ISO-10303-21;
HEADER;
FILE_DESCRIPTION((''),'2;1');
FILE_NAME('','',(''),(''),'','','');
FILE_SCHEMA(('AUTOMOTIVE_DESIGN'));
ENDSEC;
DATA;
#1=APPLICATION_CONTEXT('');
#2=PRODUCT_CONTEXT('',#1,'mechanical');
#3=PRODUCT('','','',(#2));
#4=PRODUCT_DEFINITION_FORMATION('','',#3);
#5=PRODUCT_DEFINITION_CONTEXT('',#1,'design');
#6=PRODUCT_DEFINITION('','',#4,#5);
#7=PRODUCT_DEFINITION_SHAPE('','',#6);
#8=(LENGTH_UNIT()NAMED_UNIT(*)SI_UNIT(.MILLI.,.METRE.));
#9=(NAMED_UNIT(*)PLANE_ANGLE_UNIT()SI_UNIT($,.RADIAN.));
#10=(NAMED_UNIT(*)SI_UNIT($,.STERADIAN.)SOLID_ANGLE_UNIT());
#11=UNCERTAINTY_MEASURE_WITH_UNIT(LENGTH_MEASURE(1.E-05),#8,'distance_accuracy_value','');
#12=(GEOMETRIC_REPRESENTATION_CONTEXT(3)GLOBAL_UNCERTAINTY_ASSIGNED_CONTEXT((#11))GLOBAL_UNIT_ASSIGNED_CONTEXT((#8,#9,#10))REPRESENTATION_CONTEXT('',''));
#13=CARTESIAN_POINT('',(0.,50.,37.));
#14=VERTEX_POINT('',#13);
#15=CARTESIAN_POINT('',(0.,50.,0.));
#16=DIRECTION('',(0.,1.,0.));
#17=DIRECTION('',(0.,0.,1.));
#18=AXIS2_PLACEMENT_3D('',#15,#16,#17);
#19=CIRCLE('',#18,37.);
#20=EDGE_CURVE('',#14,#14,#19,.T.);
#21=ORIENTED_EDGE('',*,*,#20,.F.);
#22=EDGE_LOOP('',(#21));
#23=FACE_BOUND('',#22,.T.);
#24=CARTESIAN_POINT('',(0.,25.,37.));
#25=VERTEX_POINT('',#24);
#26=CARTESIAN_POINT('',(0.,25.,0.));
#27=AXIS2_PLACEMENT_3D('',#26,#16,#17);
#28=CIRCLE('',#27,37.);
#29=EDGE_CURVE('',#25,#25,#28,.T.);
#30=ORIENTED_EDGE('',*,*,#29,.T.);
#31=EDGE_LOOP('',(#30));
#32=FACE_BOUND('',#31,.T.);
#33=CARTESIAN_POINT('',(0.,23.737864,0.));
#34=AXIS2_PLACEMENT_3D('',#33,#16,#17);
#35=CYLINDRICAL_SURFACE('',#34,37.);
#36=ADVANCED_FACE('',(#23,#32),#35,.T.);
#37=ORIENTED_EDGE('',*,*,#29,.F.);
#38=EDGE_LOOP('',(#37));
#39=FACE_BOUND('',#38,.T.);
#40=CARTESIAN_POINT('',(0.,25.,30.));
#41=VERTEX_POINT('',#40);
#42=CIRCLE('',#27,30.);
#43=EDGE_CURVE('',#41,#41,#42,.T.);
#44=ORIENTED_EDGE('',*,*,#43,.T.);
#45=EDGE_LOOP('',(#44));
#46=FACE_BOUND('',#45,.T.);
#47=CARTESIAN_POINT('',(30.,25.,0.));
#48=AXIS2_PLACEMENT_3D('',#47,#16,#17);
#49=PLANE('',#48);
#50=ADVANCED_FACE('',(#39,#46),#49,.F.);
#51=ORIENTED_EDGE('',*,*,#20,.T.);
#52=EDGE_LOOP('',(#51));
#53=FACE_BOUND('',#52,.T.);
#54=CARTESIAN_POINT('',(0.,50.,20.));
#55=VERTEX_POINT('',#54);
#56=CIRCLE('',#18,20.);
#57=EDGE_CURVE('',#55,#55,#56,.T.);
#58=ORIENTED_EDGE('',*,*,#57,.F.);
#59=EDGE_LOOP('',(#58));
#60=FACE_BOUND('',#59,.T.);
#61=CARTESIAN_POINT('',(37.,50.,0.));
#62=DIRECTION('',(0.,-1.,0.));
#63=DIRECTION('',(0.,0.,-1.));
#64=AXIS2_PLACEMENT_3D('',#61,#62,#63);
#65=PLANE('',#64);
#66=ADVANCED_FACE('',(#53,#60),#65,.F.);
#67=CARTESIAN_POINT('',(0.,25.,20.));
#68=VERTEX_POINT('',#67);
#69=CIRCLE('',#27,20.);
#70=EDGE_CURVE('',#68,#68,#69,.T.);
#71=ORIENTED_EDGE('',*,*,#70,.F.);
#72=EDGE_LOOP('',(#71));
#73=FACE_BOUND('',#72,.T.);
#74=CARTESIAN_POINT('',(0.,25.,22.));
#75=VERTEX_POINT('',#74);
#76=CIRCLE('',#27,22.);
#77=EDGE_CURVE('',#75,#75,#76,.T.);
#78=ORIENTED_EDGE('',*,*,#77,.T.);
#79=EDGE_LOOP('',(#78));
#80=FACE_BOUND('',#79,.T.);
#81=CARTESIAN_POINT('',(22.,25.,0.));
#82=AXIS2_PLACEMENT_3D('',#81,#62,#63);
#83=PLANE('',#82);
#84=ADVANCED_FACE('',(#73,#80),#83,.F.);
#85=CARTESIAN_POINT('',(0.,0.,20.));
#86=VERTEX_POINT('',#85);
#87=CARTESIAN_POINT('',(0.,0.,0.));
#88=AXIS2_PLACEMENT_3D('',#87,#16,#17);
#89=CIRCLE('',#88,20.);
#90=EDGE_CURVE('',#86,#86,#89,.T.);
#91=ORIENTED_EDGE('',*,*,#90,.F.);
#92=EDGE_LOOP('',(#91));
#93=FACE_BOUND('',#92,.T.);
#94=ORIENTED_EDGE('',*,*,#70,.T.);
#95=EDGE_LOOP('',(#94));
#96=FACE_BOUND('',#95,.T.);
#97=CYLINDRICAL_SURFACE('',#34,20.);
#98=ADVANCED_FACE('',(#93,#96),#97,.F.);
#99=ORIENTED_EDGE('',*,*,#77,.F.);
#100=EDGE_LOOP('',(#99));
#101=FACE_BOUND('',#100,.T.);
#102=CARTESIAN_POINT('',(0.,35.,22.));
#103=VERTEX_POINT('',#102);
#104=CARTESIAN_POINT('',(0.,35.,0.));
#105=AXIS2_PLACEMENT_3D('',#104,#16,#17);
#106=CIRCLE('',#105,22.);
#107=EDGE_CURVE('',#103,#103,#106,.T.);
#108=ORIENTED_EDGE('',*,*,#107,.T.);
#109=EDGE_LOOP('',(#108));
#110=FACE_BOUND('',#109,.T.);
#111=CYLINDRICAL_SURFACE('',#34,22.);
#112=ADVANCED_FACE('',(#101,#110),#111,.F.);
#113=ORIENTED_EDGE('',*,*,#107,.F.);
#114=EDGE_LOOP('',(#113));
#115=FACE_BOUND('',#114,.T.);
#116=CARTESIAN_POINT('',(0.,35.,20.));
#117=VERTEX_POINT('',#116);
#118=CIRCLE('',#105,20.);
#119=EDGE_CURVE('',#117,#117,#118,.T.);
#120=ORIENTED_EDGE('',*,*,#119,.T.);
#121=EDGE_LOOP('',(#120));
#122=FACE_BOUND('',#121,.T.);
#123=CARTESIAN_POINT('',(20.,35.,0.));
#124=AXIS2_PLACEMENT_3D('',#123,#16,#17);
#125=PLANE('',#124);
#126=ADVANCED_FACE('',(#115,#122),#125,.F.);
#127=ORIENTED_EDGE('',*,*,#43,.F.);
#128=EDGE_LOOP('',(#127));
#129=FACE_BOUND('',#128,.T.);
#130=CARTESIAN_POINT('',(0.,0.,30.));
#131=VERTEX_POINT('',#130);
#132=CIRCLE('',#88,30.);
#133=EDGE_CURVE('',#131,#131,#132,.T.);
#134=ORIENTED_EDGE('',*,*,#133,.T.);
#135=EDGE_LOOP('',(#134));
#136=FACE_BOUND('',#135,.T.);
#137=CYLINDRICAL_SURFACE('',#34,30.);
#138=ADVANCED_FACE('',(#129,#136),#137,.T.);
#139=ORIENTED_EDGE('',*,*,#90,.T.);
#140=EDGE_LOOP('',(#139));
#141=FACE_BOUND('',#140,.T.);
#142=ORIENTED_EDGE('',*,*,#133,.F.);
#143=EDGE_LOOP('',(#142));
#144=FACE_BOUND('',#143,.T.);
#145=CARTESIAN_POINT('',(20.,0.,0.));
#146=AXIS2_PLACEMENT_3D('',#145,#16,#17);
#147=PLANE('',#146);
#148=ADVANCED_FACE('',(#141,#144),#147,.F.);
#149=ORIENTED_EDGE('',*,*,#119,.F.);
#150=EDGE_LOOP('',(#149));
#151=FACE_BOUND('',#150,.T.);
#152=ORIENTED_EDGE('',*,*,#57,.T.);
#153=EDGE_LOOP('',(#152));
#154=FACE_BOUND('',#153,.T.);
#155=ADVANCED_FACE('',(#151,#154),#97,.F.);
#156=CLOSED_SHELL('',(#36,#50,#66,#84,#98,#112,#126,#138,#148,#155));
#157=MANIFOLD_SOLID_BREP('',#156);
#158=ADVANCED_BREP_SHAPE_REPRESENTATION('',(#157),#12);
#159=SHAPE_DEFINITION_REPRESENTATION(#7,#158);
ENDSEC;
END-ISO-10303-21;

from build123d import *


with BuildPart() as part:
    # Sketch1 → Revolve1 (revolve)
    with BuildSketch(Plane.XY, mode=Mode.PRIVATE) as revolve1_sk:
        Polygon((-37, 50), (-20, 50), (-20, 35), (-22, 35), (-22, 25), (-20, 25), (-20, 0), (-30, 0), (-30, 25), (-37, 25), align=None)
    revolve(revolve1_sk.sketch.rotate(Axis((0, 23.737864078, 0), (0, -1, 0)), 270), axis=Axis((0, 23.737864078, 0), (0, -1, 0)))


solid = part.part
